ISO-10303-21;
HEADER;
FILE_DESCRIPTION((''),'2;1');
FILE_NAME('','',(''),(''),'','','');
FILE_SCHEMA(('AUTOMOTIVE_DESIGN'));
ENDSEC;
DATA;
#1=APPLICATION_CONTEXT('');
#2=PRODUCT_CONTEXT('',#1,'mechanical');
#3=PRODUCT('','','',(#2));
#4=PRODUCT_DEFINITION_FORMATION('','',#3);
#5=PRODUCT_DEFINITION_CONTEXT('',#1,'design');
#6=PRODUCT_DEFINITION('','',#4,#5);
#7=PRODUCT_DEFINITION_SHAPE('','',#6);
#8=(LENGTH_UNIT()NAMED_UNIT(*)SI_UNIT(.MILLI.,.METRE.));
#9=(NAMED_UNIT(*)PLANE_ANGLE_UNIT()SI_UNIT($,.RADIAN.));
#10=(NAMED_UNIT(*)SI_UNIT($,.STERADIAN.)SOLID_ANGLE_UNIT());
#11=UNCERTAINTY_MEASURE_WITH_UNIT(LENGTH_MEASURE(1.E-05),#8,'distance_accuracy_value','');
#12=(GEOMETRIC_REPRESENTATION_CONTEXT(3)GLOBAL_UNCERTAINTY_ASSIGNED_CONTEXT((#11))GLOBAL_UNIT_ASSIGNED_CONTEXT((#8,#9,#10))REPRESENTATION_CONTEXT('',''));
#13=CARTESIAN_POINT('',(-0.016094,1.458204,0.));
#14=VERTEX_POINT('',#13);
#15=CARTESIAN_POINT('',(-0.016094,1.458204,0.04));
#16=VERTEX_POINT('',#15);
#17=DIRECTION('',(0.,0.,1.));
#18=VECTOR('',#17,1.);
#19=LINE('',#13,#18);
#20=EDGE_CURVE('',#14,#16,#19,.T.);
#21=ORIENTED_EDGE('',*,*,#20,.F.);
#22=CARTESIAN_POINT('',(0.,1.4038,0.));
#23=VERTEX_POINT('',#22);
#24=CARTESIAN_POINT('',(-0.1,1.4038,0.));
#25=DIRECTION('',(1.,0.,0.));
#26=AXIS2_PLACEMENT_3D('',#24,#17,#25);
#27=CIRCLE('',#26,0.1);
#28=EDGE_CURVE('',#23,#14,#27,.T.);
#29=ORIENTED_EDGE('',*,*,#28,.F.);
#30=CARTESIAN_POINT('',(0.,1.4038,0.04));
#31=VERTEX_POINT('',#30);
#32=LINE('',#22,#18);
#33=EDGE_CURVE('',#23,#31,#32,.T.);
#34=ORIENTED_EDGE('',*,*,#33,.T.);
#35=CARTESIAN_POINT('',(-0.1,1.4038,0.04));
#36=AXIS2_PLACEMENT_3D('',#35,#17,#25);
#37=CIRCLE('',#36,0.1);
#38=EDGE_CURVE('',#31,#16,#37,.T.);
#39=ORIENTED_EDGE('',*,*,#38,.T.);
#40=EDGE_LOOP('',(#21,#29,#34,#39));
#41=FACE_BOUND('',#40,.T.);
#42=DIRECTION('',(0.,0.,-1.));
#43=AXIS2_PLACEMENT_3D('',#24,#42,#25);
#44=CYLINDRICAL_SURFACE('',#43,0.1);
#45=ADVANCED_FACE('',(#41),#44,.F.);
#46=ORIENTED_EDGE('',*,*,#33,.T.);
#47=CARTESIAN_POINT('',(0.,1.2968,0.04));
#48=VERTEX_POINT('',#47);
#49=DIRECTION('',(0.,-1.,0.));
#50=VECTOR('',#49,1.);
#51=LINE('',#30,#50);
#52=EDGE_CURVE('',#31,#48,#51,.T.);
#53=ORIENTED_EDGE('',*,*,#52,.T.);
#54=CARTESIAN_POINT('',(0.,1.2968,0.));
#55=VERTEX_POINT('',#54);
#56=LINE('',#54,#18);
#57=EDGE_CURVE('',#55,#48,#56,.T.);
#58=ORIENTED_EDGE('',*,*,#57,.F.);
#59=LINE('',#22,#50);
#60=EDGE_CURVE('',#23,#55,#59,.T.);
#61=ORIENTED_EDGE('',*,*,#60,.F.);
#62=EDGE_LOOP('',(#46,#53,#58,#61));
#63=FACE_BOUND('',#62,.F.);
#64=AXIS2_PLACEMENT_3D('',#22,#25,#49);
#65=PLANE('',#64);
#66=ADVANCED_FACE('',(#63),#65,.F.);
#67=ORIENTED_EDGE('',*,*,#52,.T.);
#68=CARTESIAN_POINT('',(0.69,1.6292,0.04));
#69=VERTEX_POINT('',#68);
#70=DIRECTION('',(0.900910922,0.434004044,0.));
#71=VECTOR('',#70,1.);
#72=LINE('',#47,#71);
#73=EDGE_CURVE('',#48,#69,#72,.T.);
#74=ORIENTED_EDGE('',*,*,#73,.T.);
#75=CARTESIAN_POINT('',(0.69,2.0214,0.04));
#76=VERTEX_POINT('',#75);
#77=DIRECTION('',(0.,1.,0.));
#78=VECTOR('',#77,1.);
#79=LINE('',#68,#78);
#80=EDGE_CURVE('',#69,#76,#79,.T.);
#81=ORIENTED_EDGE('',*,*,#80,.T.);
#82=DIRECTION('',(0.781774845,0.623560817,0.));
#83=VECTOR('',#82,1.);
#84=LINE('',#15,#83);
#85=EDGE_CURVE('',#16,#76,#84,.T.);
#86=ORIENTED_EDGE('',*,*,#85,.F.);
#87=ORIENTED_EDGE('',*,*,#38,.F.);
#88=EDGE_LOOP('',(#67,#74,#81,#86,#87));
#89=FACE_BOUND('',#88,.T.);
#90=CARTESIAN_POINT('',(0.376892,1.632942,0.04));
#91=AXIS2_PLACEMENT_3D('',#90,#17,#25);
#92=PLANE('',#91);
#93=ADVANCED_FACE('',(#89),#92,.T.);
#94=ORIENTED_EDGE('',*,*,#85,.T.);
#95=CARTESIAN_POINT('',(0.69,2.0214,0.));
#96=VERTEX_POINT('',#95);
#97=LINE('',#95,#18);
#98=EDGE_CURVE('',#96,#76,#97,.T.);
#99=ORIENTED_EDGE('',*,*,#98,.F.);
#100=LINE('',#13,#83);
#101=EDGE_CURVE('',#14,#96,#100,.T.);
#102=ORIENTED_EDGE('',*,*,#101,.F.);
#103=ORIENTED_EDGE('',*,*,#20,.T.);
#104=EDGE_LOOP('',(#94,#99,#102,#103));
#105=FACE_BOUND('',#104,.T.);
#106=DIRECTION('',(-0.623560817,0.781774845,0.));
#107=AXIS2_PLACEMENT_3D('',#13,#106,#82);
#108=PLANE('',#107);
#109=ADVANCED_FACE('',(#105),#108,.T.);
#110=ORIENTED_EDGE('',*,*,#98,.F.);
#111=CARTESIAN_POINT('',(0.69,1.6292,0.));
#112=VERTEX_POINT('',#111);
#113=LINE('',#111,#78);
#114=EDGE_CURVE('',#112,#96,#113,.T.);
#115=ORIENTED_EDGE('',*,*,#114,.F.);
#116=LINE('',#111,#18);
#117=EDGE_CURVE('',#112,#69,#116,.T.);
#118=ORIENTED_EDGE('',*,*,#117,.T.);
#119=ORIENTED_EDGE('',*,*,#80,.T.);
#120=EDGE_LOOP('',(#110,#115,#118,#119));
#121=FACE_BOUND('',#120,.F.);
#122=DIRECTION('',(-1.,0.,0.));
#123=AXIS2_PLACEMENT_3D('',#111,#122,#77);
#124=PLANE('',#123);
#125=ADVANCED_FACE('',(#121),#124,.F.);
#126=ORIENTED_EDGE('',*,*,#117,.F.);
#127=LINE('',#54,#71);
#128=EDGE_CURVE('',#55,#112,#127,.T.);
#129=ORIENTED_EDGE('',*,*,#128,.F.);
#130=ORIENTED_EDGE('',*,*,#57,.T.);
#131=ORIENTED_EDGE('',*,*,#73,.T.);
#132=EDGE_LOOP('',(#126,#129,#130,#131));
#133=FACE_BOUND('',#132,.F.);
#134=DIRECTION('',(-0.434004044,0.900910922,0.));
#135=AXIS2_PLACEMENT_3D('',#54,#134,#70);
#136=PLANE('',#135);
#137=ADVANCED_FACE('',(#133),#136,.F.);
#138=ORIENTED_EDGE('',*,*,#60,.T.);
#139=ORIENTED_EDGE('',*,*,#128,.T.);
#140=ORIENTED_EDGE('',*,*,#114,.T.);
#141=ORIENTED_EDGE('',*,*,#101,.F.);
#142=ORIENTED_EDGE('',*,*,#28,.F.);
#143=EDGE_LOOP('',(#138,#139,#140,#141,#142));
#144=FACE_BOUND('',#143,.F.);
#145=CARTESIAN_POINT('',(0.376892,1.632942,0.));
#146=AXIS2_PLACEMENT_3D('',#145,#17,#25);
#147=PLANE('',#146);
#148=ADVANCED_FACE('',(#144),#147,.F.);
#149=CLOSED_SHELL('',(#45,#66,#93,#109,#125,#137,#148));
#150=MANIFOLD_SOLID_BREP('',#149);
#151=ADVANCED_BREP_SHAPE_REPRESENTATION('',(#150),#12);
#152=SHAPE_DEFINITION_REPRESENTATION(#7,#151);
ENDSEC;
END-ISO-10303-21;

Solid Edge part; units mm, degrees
sketch "Sketch1" plane through (0, 0, 0) normal (0, 0, 1) x (1, 0, 0)
  line L0 (0.69, 1.6292) -> (0.69, 2.0214)
  line L1 (-0.0161, 1.4582) -> (0.69, 2.0214)
  arc A0 (0, 1.4038) -> (-0.0161, 1.4582) centre (-0.1, 1.4038) ccw
  line L2 (0, 1.4038) -> (0, 1.2968)
  line L3 (0, 1.2968) -> (0.69, 1.6292)
extrude "Protrusion1" add sketch "Sketch1" along normal blind 0.04
